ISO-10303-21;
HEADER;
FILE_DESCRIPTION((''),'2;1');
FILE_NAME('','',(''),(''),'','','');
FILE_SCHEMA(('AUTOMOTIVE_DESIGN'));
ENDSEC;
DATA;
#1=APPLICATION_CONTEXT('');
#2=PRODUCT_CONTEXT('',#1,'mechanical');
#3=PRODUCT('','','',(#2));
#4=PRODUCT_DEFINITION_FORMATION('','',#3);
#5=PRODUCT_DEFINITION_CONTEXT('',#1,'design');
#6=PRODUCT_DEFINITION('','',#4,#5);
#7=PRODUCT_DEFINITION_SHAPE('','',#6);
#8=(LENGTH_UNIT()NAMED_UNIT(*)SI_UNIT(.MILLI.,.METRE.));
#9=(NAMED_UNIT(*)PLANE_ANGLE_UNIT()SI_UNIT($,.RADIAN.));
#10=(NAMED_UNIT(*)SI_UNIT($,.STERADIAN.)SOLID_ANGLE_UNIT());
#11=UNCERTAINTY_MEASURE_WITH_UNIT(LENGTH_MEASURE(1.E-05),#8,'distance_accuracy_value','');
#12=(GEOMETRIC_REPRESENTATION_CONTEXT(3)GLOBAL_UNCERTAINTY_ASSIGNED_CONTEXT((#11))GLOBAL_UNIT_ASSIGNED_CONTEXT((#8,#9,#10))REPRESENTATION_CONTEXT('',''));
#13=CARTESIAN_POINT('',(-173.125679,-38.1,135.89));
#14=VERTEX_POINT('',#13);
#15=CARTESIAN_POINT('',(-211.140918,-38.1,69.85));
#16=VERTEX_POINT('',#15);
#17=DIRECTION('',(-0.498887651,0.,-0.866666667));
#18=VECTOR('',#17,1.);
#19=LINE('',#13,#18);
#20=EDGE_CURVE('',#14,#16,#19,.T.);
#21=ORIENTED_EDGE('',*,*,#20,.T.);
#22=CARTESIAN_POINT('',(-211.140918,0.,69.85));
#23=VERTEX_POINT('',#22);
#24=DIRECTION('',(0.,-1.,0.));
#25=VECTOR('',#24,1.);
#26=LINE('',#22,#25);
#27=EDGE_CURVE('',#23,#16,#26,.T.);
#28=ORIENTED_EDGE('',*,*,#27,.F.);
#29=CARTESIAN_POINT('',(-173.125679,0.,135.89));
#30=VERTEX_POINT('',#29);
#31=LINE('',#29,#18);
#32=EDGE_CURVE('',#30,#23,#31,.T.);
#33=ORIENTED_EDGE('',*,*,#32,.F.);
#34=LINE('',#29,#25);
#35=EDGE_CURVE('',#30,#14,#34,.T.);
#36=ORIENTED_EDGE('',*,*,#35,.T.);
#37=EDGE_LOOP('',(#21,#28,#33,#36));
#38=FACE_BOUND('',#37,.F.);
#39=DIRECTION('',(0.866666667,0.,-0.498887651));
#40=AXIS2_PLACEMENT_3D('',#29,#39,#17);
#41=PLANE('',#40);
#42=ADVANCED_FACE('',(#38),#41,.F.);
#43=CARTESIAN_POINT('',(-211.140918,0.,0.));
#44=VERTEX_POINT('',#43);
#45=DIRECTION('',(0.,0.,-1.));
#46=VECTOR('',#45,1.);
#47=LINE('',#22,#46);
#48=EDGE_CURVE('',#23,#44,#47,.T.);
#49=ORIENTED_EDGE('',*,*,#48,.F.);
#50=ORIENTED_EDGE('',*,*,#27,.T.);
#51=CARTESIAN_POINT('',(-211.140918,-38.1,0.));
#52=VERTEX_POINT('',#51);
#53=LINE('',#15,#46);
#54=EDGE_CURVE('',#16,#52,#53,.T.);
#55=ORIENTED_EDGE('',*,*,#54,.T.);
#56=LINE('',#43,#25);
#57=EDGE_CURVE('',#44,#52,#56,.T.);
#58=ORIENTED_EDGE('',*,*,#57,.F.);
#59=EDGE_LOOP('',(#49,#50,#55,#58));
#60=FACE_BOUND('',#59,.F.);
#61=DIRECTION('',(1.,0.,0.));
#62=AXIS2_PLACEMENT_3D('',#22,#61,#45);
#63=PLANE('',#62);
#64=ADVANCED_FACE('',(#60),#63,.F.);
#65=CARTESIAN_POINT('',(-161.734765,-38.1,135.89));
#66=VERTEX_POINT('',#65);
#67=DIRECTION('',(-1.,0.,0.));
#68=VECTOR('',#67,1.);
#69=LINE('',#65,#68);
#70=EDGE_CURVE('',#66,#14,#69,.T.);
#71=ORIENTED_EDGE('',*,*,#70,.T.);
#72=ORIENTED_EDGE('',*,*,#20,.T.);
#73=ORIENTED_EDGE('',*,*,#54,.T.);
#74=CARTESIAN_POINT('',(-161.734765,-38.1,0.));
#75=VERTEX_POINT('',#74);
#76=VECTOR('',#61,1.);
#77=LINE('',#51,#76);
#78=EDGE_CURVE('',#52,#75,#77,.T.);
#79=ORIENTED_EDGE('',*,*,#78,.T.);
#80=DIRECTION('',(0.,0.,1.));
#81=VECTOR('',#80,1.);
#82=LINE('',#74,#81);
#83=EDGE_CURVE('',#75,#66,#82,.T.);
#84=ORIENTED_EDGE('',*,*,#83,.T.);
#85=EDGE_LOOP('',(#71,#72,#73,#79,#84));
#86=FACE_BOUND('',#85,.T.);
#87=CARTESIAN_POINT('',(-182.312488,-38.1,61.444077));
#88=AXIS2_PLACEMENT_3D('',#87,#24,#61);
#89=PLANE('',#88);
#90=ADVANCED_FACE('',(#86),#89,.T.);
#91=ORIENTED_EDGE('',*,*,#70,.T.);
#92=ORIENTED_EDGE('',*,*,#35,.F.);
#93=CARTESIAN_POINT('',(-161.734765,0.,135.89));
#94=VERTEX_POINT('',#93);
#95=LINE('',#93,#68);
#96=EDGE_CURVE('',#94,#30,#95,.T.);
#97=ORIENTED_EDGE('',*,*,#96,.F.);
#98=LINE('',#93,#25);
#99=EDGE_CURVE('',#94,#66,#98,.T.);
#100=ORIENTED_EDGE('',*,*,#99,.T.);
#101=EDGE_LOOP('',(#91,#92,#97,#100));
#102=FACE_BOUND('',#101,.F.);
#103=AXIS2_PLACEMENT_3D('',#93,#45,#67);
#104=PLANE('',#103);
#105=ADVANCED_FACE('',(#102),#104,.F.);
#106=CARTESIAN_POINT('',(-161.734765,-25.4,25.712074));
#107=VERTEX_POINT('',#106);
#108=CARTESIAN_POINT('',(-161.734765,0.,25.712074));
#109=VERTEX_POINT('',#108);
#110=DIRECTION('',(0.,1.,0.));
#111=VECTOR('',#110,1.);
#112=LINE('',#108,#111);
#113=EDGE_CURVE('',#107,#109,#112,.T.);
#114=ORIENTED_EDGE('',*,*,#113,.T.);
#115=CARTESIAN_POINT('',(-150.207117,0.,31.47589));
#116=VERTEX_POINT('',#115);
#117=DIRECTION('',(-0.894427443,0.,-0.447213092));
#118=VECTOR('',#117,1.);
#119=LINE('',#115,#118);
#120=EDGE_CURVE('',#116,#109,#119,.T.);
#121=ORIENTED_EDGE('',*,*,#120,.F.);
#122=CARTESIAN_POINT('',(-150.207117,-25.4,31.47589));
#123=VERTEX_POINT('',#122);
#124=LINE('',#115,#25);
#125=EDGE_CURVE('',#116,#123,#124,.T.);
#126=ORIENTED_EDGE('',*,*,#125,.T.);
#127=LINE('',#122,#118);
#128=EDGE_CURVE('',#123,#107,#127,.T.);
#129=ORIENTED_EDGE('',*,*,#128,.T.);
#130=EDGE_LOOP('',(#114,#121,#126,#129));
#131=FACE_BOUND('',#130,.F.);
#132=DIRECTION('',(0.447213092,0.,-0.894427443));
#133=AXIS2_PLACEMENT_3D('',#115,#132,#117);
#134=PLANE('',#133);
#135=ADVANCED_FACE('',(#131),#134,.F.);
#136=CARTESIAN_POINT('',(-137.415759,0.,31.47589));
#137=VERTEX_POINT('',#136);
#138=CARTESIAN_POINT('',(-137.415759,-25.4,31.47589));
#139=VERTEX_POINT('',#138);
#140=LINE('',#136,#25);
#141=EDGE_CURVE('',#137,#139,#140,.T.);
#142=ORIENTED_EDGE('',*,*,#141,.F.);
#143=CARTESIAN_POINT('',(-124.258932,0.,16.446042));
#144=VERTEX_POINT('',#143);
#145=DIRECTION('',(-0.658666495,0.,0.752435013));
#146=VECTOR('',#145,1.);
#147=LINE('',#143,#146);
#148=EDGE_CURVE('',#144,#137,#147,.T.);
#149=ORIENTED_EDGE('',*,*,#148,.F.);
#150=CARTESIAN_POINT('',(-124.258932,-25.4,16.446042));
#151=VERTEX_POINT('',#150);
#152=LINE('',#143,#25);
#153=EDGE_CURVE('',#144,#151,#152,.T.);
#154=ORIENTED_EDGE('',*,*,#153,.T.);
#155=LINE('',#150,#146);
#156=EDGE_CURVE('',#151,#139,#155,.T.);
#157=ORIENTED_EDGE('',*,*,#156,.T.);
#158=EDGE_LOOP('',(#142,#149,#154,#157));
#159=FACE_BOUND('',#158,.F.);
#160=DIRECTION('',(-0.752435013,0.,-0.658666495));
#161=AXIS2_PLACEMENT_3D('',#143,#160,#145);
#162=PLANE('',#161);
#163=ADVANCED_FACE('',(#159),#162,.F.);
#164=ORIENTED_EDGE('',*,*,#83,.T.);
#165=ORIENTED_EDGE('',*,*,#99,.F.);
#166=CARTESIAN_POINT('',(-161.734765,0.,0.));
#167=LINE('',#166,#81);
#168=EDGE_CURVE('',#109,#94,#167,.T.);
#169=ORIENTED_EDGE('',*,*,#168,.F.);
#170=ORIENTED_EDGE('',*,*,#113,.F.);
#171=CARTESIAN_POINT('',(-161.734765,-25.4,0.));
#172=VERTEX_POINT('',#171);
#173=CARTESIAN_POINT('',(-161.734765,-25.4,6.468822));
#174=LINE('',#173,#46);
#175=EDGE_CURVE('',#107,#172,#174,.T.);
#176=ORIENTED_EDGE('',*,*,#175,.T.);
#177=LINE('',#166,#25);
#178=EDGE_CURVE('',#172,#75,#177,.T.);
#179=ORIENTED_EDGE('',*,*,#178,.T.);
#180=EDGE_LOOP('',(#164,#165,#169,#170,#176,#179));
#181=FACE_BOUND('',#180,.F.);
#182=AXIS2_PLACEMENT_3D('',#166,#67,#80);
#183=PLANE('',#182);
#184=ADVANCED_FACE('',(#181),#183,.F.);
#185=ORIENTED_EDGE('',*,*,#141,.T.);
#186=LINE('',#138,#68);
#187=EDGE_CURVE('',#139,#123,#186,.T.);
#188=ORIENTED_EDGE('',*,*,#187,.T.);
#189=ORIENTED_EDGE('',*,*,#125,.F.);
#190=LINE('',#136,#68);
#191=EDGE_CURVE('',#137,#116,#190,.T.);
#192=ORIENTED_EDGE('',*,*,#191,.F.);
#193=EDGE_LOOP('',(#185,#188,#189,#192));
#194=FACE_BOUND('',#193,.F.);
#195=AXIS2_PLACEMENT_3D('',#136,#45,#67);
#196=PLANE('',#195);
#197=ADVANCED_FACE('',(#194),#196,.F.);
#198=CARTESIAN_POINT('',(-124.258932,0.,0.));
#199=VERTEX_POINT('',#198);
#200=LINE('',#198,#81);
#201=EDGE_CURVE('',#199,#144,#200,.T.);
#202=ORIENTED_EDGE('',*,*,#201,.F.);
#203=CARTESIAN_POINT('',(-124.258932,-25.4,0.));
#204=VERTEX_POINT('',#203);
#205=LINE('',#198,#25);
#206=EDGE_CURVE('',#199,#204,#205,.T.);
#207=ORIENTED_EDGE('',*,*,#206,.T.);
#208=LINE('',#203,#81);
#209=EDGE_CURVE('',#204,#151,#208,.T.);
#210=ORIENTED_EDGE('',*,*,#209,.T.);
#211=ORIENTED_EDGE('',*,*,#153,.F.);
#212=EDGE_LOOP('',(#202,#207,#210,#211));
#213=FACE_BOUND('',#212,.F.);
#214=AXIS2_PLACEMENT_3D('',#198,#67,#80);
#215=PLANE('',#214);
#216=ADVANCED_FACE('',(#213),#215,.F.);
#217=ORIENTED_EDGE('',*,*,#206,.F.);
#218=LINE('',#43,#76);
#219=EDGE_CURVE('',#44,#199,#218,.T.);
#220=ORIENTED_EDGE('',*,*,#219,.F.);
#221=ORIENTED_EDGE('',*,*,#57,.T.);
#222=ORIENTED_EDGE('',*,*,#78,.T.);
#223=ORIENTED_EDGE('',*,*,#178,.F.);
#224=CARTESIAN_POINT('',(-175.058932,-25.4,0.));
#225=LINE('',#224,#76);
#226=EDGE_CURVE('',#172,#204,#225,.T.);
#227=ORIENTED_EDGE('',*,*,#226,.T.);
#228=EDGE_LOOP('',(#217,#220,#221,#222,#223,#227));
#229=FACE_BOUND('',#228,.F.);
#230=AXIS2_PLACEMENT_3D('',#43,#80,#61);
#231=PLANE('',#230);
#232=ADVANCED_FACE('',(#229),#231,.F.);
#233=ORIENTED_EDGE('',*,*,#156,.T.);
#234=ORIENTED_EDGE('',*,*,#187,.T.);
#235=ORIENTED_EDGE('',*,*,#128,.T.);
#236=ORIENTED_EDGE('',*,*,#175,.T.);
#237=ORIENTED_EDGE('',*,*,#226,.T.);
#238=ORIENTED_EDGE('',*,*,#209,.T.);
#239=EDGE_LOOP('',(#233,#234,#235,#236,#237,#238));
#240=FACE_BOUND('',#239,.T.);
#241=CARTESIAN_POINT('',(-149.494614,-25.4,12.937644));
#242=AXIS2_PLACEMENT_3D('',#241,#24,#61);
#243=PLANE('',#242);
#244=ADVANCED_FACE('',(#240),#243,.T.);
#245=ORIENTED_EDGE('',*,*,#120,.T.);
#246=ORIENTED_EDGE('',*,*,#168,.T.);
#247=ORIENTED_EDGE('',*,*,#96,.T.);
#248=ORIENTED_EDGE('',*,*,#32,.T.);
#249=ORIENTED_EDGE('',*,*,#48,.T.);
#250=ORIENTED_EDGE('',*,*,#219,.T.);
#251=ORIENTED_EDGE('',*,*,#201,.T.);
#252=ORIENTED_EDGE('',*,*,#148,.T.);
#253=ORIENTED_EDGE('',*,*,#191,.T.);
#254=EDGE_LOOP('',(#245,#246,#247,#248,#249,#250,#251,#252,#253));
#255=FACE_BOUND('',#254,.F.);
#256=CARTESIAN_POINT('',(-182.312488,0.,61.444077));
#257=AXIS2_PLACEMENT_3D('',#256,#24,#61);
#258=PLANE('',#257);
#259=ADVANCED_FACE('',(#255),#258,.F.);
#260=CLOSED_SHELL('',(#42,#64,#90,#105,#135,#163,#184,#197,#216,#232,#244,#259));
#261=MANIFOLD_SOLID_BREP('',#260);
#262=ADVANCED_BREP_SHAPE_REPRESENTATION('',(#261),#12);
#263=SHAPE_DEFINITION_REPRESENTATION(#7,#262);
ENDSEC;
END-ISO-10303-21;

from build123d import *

# Parameters (mm, degrees)
F1_DEPTH = 25.4
F3_DEPTH = 38.1


with BuildPart() as f1:
    # F0 (on Front) → F1 (new body)
    with BuildSketch(Plane.XZ):
        Polygon((-175.058932, 19.05), (-175.058932, 0), (-124.258932, 0), (-124.258932, 16.446042), (-137.415759, 31.47589), (-150.207117, 31.47589), align=None)
    extrude(amount=F1_DEPTH)

    # F2 (on Front) → F3 (join)
    with BuildSketch(Plane.XZ):
        Polygon((-211.140918, 69.85), (-211.140918, 0), (-161.734765, 0), (-161.734765, 135.89), (-173.125679, 135.89), align=None)
    extrude(amount=F3_DEPTH)


solid = f1.part
